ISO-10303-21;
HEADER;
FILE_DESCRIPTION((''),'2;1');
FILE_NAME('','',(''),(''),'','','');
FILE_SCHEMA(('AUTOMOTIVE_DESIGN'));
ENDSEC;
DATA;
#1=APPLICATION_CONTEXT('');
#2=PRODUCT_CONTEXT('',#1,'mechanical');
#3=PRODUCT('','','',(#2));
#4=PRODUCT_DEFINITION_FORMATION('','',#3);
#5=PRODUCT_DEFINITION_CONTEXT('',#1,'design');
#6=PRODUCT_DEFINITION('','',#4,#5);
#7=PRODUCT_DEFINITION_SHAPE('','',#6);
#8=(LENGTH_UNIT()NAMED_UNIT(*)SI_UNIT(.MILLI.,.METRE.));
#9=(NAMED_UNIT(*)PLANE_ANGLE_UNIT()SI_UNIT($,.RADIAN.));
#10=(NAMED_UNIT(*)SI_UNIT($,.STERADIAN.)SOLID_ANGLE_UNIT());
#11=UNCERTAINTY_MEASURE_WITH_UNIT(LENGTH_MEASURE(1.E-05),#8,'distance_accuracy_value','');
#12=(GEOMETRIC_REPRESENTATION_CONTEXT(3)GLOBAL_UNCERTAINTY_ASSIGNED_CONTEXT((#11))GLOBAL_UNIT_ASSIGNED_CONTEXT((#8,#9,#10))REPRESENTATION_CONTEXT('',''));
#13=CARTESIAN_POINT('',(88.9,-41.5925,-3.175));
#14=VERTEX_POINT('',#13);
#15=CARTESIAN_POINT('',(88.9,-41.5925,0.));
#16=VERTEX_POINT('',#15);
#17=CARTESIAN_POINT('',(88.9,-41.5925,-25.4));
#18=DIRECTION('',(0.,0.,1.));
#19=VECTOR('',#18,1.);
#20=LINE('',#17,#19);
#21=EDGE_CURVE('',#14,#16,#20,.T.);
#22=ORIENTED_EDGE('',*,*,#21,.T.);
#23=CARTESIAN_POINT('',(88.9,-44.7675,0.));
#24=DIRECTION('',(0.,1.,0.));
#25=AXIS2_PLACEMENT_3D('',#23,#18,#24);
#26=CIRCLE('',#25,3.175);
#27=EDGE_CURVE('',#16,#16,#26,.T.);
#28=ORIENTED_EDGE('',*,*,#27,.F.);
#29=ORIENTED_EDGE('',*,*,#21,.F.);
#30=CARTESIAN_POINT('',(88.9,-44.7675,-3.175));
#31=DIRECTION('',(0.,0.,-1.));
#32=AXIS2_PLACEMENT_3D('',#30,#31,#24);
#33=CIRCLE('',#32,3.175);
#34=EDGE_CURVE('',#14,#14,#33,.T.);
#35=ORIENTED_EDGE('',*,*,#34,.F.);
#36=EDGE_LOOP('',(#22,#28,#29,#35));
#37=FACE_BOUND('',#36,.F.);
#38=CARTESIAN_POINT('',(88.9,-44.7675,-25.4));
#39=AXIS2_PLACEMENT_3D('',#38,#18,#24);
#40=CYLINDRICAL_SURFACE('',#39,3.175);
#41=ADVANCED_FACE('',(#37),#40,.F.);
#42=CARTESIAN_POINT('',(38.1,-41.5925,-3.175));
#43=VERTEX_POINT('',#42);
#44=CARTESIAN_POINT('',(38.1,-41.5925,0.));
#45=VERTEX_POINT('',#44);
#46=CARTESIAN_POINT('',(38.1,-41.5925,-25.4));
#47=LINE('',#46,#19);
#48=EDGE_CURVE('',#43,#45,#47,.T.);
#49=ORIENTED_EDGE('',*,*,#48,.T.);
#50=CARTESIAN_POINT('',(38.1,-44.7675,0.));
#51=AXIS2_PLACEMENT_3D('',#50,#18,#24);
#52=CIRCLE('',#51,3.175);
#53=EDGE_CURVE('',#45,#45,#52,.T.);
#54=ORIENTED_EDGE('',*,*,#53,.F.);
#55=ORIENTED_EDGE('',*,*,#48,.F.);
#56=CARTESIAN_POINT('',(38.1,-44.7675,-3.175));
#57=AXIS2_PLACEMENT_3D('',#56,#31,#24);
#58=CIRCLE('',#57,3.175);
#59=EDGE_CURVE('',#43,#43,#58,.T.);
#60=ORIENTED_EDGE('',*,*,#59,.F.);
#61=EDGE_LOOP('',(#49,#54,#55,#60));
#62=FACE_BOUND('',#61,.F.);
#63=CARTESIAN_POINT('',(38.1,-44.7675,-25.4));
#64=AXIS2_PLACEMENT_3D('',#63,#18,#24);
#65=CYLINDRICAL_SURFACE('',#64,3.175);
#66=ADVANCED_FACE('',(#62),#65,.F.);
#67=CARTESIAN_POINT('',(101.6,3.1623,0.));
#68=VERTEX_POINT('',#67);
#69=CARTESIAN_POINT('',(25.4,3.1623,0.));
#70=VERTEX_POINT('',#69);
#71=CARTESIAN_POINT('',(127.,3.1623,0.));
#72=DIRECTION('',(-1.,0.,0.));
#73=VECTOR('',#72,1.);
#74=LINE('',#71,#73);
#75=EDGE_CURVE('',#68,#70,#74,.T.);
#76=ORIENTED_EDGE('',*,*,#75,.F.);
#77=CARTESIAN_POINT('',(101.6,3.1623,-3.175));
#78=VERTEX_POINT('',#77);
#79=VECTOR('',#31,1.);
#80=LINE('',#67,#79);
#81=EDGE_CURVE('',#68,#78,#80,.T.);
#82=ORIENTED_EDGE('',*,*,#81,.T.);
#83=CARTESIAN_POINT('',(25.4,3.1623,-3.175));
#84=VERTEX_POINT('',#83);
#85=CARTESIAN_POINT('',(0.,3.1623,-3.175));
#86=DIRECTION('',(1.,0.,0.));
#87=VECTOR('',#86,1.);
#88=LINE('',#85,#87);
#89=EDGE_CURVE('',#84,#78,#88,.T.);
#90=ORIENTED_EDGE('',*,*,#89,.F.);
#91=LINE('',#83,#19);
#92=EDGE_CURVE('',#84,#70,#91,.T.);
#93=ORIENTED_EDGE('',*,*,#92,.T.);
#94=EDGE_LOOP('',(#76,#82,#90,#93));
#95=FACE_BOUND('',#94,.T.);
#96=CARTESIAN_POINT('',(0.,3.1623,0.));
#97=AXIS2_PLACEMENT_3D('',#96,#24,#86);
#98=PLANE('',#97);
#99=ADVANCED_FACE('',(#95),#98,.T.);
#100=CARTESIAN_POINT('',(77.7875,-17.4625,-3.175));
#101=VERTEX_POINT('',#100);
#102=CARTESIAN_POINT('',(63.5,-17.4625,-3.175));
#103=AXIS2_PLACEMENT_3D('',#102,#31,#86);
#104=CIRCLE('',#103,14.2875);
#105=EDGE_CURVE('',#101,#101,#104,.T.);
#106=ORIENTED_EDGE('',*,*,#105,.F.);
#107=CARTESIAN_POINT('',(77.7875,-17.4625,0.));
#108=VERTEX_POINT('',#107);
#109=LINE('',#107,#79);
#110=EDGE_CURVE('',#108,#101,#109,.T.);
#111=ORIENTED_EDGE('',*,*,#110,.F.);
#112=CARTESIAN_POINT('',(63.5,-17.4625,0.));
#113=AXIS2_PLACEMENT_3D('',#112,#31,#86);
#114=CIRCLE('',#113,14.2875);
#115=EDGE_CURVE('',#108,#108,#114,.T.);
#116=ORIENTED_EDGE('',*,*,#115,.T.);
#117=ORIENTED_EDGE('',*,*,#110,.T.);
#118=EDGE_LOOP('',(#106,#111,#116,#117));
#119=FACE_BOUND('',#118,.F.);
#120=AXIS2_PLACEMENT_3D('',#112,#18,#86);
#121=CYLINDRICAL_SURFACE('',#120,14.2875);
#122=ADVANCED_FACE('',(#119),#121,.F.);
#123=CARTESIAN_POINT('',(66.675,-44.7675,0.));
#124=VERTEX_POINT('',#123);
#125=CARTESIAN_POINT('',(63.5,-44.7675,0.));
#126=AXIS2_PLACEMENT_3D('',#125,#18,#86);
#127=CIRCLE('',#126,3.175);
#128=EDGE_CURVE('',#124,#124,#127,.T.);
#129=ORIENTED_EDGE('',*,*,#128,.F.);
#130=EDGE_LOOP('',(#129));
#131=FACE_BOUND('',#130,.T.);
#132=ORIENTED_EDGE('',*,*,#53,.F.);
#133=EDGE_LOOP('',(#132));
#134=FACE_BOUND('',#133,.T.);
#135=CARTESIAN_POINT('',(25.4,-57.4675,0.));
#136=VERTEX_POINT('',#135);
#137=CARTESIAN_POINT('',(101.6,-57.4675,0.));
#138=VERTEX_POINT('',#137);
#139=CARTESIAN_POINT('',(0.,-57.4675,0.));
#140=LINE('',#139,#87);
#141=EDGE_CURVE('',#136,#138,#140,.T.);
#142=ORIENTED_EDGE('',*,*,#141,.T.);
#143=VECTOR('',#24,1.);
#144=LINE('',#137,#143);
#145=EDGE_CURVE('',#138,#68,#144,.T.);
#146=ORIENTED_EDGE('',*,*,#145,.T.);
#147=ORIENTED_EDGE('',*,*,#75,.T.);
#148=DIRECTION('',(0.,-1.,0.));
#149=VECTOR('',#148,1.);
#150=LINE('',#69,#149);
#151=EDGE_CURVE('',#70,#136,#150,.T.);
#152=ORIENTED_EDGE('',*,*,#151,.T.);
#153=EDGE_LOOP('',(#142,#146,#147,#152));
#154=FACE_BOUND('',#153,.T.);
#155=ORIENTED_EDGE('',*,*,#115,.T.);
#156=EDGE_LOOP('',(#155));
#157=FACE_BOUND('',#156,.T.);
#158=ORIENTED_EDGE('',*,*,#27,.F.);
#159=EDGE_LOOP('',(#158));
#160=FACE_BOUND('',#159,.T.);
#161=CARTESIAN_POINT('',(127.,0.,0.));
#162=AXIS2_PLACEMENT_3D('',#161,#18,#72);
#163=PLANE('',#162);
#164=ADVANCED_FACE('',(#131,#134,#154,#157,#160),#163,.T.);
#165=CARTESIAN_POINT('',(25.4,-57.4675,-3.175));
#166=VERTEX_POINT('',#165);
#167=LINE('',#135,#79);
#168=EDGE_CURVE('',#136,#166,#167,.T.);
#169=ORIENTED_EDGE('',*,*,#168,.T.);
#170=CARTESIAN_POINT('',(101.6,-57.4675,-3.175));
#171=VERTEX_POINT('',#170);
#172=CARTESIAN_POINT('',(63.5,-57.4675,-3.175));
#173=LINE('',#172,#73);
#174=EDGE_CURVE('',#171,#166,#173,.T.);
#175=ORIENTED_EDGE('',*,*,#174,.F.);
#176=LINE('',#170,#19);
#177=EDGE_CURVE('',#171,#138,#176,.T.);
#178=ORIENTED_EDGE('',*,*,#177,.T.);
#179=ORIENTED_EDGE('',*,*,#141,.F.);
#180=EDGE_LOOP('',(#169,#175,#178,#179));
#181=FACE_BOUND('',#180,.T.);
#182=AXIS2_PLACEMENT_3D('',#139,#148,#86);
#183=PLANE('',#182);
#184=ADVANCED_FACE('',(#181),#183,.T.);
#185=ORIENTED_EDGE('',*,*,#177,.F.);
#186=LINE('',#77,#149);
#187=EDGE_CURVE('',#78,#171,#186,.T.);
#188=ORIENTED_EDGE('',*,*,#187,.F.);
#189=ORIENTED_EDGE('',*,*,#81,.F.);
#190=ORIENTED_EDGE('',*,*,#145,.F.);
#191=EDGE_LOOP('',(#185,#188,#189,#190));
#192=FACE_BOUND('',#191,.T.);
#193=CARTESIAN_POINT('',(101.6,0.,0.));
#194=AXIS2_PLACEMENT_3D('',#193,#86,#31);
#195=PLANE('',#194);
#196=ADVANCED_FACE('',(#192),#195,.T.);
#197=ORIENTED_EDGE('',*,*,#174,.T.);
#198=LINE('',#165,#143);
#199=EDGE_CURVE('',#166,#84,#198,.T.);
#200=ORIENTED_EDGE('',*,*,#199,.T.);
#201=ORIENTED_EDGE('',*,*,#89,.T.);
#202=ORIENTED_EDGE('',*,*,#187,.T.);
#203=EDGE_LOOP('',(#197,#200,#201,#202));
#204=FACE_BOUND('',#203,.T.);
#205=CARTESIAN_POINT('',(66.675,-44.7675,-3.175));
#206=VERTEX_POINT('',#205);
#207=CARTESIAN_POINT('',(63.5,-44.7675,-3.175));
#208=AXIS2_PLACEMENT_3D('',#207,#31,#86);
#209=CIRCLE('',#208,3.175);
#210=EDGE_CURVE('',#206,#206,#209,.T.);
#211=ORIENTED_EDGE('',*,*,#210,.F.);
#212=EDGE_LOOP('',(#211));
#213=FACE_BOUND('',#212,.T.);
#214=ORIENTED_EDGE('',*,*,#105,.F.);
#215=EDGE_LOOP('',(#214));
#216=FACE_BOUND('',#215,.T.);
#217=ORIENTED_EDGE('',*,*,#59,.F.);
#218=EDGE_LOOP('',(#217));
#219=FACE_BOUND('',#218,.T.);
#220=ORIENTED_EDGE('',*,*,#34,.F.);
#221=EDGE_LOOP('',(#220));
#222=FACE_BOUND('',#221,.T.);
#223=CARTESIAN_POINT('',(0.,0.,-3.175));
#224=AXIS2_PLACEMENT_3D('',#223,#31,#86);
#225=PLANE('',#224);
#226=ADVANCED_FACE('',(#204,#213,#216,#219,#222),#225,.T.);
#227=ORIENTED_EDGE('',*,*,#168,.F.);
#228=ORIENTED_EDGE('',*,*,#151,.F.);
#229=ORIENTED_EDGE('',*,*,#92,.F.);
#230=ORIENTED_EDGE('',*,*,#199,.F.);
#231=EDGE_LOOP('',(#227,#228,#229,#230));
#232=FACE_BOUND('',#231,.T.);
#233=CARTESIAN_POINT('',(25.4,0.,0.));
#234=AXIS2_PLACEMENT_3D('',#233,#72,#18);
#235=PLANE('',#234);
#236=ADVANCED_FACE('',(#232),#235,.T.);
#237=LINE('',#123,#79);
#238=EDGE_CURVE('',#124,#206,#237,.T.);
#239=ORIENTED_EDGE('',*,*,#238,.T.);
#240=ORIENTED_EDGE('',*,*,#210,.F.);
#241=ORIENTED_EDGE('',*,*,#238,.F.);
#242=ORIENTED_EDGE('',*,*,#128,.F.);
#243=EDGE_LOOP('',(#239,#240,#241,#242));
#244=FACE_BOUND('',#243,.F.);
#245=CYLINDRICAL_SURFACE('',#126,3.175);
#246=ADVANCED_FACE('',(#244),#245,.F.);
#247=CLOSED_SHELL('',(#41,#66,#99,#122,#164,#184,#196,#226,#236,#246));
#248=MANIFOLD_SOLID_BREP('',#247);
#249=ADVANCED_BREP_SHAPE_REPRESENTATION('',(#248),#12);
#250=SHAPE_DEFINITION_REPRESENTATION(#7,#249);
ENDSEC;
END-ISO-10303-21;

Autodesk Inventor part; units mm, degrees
ref_plane "YZ Plane" through (0, 0, 0) normal (1, 0, 0) x (0, 1, 0)
ref_plane "XZ Plane" through (0, 0, 0) normal (0, 1, 0) x (-1, 0, 0)
ref_plane "XY Plane" through (0, 0, 0) normal (0, 0, 1) x (1, 0, 0)
sketch "Sketch1" plane through (0, 0, 0) normal (1, 0, 0) x (0, 1, 0)
  line L0 (0, 0) -> (-50.8, 0)
  line L1 (-50.8, 0) -> (-50.8, -25.4)
  line L2 (-50.8, -25.4) -> (0, -25.4)
  line L3 (0, -25.4) -> (0, 0)
  line L4 (-3.175, -3.175) -> (-47.625, -3.175)
  line L5 (-47.625, -3.175) -> (-47.625, -22.225)
  line L6 (-47.625, -22.225) -> (-3.175, -22.225)
  line L7 (-3.175, -22.225) -> (-3.175, -3.175)
  dimension "d0" = 50.8
  dimension "d1" = 25.4
  dimension "d2" = 3.175
extrude "Extrusion1" add sketch "Sketch1" along normal blind 127
sketch "Sketch2" plane through (0, -50.8, 0) normal (0, 0, 1) x (1, 0, 0)
  line L0 (0, 50.8) -> (0, 0) projected
  line L1 (0, 0) -> (127, 0) projected
  line L2 (127, 50.8) -> (127, 0) projected
  line L3 (0, 50.8) -> (127, 50.8) projected
  circle A0 centre (63.5, 6.0325) radius 3.175
  circle A1 centre (63.5, 33.3375) radius 6.35
  circle A2 centre (63.5, 33.3375) radius 14.2875
  circle A3 centre (63.5, 33.3375) radius 7.62
  circle A4 centre (63.5, 33.3375) radius 15.875
  line L4 (0, 47.625) -> (127, 47.625) projected
  dimension "d5" = 6.35
  dimension "d6" = 12.7
  dimension "d9" = 28.575
  dimension "d10" = 15.24
  dimension "d11" = 31.75
  dimension "d12" = 14.2875
  dimension "d13" = 16.51
extrude "Extrusion2" cut sketch "Sketch2" against normal blind 127 contours A2 | A0 | A1 | A3
sketch "Sketch3" plane through (0, -50.8, -25.4) normal (0, 0, -1) x (-1, 0, 0)
  circle A0 centre (-63.5, 33.3375) radius 14.2875 projected
  circle A1 centre (-63.5, 6.0325) radius 3.175 projected
  line L0 (0, 0) -> (0, 50.8) projected
  line L1 (0, 50.8) -> (-127, 50.8) projected
  line L2 (-127, 0) -> (-127, 50.8) projected
  line L3 (0, 0) -> (-127, 0) projected
  point P0 (-38.1, 6.0325)
  point P1 (-12.7, 6.0325)
  point P2 (-88.9, 6.0325)
  point P3 (-114.3, 6.0325)
  dimension "d16" = 25.4
  dimension "d17" = 25.4
  dimension "d18" = 25.4
  dimension "d19" = 25.4
hole "Hole1" at (38.1, -44.7675, -25.4) at (12.7, -44.7675, -25.4) at (88.9, -44.7675, -25.4) at (114.3, -44.7675, -25.4) direction (0, 0, 1) diameter 6.35 end through all
sketch "Sketch4" plane through (0, 0, 0) normal (-1, 0, 0) x (0, 0, 1)
  line L0 (0, 0) -> (-25.4, 0)
  line L1 (-25.4, 0) -> (-25.4, -101.6)
  line L2 (-25.4, -101.6) -> (0, -101.6)
  line L3 (0, -101.6) -> (0, 0)
  line L4 (-3.175, -98.425) -> (-22.225, -98.425)
  line L5 (-22.225, -98.425) -> (-22.225, -3.175)
  line L6 (-22.225, -3.175) -> (-3.175, -3.175)
  line L7 (-3.175, -3.175) -> (-3.175, -98.425)
  line L8 (-3.175, -47.625) -> (-3.175, -3.175) projected
  line L9 (-22.225, -61.2712) -> (-3.175, -61.2712)
  line L10 (-3.175, -61.2712) -> (-3.175, -33.0722)
  line L11 (-3.175, -33.0722) -> (-22.225, -33.0722)
  line L12 (-22.225, -33.0722) -> (-22.225, -61.2712)
  line L13 (-22.225, -3.175) -> (-3.175, -3.175) projected
  line L14 (-3.175, -3.175) -> (-3.175, -47.625) projected
  line L15 (-3.175, -47.625) -> (-22.225, -47.625) projected
  line L16 (-22.225, -47.625) -> (-22.225, -3.175) projected
  line L17 (0, 0) -> (0, -50.8) projected
  line L18 (-25.4, 0) -> (0, 0) projected
  line L19 (-25.4, -50.8) -> (-25.4, 0) projected
  line L20 (0, -50.8) -> (-25.4, -50.8) projected
  line L21 (-25.4, -50.8) -> (-22.225, -50.8)
  line L22 (0, -50.8) -> (-25.4, -50.8) projected
  line L23 (-3.175, -50.8) -> (0, -50.8)
  dimension "d27" = 25.4
  dimension "d28" = 101.6
  dimension "d29" = 3.175
extrude "Extrusion3" cut sketch "Sketch4" against normal blind 127 contours L20 L5 L15 L7 | L7 L9 L5 L20 | L15 L5 L11 L7
extrude "Extrusion4" add sketch "Sketch4" against normal blind 127 contours L3 L2 L1 L20 L5 L4 L7
sketch "Sketch5" plane through (127, 0, -25.4) normal (0, 0, -1) x (-1, 0, 0)
  line L0 (-34.6309, 15.7259) -> (-18.4019, -170.3675)
  line L1 (-18.4019, -170.3675) -> (166.6096, -150.8926)
  line L2 (166.6096, -150.8926) -> (166.6096, -41.3464)
  line L3 (166.6096, -41.3464) -> (138.7497, 15.7259)
  line L4 (138.7497, 15.7259) -> (-34.6309, 15.7259)
  point P0 (127, 0)
extrude "Extrusion5" cut sketch "Sketch5" against normal blind 22.225
sketch "Sketch6" plane through (0, 0, 0) normal (0, 0, 1) x (1, 0, 0)
  circle A0 centre (12.7, -44.7675) radius 3.175 projected
  line L0 (12.7, -44.7675) -> (0, -44.7675)
  line L1 (0, 0) -> (0, -101.6) projected
  line L2 (0, -44.7675) -> (0, -57.4675)
  line L3 (0, -57.4675) -> (127, -57.4675)
  line L4 (127, 0) -> (127, -101.6) projected
  line L5 (12.7, -44.7675) -> (127, -44.7675)
  line L6 (127, -44.7675) -> (127, -57.4675)
  line L7 (127, -57.4675) -> (144.4596, -106.2687)
  line L8 (144.4596, -106.2687) -> (111.8065, -115.7811)
  line L9 (111.8065, -115.7811) -> (9.525, -135.9925)
  line L10 (9.525, -135.9925) -> (-52.3397, -101.6)
  line L11 (-52.3397, -101.6) -> (0, -57.4675)
  dimension "d36" = 12.7
  dimension "d37" = 12.7
extrude "Extrusion6" cut sketch "Sketch6" against normal blind 22.225 contours L7 L8 L9 L10 L11 L3
sketch "Sketch7" plane through (0, -57.4675, 0) normal (0, -1, 0) x (1, 0, 0)
  line L0 (127, -3.175) -> (127, 0)
  line L1 (0, 0) -> (127, 0) projected
  line L2 (127, 0) -> (0, 0)
  line L3 (0, 0) -> (0, -3.175)
  line L4 (0, -3.175) -> (127, -3.175)
  line L5 (127, -3.175) -> (0, -3.175) projected
sketch "Sketch8" plane through (0, 0, 0) normal (0, 1, 0) x (1, 0, 0)
  line L0 (0, 0) -> (0, 3.175)
  line L1 (0, 3.175) -> (127, 3.175)
  line L2 (127, 3.175) -> (127, 0)
  line L3 (127, 0) -> (0, 0)
extrude "Extrusion8" add sketch "Sketch8" along normal blind 3.1623
sketch "Sketch9" plane through (127, 0, 0) normal (1, 0, 0) x (0, 0, -1)
  line L0 (0, 3.1623) -> (3.175, 3.1623)
  line L1 (3.175, 3.1623) -> (0, 3.1623) projected
  line L2 (3.175, 3.1623) -> (3.175, -57.4675)
  line L3 (3.175, -57.4675) -> (0, -57.4675)
  line L4 (0, -57.4675) -> (3.175, -57.4675) projected
  line L5 (0, -57.4675) -> (0, 3.1623)
  point P0 (0, 0)
extrude "Extrusion9" cut sketch "Sketch9" against normal blind 25.4
sketch "Sketch10" plane through (0, 0, 0) normal (-1, 0, 0) x (0, 0, 1)
  line L0 (0, 3.1623) -> (0, -57.4675)
  line L1 (0, -57.4675) -> (-3.175, -57.4675)
  line L2 (-3.175, -57.4675) -> (-3.175, 3.1623)
  line L3 (-3.175, 3.1623) -> (-3.175, -57.4675) projected
  line L4 (-3.175, 3.1623) -> (0, 3.1623)
  point P0 (0, 0)
extrude "Extrusion10" cut sketch "Sketch10" against normal blind 25.4
properties part number "Elevator Shaft Mounts"
